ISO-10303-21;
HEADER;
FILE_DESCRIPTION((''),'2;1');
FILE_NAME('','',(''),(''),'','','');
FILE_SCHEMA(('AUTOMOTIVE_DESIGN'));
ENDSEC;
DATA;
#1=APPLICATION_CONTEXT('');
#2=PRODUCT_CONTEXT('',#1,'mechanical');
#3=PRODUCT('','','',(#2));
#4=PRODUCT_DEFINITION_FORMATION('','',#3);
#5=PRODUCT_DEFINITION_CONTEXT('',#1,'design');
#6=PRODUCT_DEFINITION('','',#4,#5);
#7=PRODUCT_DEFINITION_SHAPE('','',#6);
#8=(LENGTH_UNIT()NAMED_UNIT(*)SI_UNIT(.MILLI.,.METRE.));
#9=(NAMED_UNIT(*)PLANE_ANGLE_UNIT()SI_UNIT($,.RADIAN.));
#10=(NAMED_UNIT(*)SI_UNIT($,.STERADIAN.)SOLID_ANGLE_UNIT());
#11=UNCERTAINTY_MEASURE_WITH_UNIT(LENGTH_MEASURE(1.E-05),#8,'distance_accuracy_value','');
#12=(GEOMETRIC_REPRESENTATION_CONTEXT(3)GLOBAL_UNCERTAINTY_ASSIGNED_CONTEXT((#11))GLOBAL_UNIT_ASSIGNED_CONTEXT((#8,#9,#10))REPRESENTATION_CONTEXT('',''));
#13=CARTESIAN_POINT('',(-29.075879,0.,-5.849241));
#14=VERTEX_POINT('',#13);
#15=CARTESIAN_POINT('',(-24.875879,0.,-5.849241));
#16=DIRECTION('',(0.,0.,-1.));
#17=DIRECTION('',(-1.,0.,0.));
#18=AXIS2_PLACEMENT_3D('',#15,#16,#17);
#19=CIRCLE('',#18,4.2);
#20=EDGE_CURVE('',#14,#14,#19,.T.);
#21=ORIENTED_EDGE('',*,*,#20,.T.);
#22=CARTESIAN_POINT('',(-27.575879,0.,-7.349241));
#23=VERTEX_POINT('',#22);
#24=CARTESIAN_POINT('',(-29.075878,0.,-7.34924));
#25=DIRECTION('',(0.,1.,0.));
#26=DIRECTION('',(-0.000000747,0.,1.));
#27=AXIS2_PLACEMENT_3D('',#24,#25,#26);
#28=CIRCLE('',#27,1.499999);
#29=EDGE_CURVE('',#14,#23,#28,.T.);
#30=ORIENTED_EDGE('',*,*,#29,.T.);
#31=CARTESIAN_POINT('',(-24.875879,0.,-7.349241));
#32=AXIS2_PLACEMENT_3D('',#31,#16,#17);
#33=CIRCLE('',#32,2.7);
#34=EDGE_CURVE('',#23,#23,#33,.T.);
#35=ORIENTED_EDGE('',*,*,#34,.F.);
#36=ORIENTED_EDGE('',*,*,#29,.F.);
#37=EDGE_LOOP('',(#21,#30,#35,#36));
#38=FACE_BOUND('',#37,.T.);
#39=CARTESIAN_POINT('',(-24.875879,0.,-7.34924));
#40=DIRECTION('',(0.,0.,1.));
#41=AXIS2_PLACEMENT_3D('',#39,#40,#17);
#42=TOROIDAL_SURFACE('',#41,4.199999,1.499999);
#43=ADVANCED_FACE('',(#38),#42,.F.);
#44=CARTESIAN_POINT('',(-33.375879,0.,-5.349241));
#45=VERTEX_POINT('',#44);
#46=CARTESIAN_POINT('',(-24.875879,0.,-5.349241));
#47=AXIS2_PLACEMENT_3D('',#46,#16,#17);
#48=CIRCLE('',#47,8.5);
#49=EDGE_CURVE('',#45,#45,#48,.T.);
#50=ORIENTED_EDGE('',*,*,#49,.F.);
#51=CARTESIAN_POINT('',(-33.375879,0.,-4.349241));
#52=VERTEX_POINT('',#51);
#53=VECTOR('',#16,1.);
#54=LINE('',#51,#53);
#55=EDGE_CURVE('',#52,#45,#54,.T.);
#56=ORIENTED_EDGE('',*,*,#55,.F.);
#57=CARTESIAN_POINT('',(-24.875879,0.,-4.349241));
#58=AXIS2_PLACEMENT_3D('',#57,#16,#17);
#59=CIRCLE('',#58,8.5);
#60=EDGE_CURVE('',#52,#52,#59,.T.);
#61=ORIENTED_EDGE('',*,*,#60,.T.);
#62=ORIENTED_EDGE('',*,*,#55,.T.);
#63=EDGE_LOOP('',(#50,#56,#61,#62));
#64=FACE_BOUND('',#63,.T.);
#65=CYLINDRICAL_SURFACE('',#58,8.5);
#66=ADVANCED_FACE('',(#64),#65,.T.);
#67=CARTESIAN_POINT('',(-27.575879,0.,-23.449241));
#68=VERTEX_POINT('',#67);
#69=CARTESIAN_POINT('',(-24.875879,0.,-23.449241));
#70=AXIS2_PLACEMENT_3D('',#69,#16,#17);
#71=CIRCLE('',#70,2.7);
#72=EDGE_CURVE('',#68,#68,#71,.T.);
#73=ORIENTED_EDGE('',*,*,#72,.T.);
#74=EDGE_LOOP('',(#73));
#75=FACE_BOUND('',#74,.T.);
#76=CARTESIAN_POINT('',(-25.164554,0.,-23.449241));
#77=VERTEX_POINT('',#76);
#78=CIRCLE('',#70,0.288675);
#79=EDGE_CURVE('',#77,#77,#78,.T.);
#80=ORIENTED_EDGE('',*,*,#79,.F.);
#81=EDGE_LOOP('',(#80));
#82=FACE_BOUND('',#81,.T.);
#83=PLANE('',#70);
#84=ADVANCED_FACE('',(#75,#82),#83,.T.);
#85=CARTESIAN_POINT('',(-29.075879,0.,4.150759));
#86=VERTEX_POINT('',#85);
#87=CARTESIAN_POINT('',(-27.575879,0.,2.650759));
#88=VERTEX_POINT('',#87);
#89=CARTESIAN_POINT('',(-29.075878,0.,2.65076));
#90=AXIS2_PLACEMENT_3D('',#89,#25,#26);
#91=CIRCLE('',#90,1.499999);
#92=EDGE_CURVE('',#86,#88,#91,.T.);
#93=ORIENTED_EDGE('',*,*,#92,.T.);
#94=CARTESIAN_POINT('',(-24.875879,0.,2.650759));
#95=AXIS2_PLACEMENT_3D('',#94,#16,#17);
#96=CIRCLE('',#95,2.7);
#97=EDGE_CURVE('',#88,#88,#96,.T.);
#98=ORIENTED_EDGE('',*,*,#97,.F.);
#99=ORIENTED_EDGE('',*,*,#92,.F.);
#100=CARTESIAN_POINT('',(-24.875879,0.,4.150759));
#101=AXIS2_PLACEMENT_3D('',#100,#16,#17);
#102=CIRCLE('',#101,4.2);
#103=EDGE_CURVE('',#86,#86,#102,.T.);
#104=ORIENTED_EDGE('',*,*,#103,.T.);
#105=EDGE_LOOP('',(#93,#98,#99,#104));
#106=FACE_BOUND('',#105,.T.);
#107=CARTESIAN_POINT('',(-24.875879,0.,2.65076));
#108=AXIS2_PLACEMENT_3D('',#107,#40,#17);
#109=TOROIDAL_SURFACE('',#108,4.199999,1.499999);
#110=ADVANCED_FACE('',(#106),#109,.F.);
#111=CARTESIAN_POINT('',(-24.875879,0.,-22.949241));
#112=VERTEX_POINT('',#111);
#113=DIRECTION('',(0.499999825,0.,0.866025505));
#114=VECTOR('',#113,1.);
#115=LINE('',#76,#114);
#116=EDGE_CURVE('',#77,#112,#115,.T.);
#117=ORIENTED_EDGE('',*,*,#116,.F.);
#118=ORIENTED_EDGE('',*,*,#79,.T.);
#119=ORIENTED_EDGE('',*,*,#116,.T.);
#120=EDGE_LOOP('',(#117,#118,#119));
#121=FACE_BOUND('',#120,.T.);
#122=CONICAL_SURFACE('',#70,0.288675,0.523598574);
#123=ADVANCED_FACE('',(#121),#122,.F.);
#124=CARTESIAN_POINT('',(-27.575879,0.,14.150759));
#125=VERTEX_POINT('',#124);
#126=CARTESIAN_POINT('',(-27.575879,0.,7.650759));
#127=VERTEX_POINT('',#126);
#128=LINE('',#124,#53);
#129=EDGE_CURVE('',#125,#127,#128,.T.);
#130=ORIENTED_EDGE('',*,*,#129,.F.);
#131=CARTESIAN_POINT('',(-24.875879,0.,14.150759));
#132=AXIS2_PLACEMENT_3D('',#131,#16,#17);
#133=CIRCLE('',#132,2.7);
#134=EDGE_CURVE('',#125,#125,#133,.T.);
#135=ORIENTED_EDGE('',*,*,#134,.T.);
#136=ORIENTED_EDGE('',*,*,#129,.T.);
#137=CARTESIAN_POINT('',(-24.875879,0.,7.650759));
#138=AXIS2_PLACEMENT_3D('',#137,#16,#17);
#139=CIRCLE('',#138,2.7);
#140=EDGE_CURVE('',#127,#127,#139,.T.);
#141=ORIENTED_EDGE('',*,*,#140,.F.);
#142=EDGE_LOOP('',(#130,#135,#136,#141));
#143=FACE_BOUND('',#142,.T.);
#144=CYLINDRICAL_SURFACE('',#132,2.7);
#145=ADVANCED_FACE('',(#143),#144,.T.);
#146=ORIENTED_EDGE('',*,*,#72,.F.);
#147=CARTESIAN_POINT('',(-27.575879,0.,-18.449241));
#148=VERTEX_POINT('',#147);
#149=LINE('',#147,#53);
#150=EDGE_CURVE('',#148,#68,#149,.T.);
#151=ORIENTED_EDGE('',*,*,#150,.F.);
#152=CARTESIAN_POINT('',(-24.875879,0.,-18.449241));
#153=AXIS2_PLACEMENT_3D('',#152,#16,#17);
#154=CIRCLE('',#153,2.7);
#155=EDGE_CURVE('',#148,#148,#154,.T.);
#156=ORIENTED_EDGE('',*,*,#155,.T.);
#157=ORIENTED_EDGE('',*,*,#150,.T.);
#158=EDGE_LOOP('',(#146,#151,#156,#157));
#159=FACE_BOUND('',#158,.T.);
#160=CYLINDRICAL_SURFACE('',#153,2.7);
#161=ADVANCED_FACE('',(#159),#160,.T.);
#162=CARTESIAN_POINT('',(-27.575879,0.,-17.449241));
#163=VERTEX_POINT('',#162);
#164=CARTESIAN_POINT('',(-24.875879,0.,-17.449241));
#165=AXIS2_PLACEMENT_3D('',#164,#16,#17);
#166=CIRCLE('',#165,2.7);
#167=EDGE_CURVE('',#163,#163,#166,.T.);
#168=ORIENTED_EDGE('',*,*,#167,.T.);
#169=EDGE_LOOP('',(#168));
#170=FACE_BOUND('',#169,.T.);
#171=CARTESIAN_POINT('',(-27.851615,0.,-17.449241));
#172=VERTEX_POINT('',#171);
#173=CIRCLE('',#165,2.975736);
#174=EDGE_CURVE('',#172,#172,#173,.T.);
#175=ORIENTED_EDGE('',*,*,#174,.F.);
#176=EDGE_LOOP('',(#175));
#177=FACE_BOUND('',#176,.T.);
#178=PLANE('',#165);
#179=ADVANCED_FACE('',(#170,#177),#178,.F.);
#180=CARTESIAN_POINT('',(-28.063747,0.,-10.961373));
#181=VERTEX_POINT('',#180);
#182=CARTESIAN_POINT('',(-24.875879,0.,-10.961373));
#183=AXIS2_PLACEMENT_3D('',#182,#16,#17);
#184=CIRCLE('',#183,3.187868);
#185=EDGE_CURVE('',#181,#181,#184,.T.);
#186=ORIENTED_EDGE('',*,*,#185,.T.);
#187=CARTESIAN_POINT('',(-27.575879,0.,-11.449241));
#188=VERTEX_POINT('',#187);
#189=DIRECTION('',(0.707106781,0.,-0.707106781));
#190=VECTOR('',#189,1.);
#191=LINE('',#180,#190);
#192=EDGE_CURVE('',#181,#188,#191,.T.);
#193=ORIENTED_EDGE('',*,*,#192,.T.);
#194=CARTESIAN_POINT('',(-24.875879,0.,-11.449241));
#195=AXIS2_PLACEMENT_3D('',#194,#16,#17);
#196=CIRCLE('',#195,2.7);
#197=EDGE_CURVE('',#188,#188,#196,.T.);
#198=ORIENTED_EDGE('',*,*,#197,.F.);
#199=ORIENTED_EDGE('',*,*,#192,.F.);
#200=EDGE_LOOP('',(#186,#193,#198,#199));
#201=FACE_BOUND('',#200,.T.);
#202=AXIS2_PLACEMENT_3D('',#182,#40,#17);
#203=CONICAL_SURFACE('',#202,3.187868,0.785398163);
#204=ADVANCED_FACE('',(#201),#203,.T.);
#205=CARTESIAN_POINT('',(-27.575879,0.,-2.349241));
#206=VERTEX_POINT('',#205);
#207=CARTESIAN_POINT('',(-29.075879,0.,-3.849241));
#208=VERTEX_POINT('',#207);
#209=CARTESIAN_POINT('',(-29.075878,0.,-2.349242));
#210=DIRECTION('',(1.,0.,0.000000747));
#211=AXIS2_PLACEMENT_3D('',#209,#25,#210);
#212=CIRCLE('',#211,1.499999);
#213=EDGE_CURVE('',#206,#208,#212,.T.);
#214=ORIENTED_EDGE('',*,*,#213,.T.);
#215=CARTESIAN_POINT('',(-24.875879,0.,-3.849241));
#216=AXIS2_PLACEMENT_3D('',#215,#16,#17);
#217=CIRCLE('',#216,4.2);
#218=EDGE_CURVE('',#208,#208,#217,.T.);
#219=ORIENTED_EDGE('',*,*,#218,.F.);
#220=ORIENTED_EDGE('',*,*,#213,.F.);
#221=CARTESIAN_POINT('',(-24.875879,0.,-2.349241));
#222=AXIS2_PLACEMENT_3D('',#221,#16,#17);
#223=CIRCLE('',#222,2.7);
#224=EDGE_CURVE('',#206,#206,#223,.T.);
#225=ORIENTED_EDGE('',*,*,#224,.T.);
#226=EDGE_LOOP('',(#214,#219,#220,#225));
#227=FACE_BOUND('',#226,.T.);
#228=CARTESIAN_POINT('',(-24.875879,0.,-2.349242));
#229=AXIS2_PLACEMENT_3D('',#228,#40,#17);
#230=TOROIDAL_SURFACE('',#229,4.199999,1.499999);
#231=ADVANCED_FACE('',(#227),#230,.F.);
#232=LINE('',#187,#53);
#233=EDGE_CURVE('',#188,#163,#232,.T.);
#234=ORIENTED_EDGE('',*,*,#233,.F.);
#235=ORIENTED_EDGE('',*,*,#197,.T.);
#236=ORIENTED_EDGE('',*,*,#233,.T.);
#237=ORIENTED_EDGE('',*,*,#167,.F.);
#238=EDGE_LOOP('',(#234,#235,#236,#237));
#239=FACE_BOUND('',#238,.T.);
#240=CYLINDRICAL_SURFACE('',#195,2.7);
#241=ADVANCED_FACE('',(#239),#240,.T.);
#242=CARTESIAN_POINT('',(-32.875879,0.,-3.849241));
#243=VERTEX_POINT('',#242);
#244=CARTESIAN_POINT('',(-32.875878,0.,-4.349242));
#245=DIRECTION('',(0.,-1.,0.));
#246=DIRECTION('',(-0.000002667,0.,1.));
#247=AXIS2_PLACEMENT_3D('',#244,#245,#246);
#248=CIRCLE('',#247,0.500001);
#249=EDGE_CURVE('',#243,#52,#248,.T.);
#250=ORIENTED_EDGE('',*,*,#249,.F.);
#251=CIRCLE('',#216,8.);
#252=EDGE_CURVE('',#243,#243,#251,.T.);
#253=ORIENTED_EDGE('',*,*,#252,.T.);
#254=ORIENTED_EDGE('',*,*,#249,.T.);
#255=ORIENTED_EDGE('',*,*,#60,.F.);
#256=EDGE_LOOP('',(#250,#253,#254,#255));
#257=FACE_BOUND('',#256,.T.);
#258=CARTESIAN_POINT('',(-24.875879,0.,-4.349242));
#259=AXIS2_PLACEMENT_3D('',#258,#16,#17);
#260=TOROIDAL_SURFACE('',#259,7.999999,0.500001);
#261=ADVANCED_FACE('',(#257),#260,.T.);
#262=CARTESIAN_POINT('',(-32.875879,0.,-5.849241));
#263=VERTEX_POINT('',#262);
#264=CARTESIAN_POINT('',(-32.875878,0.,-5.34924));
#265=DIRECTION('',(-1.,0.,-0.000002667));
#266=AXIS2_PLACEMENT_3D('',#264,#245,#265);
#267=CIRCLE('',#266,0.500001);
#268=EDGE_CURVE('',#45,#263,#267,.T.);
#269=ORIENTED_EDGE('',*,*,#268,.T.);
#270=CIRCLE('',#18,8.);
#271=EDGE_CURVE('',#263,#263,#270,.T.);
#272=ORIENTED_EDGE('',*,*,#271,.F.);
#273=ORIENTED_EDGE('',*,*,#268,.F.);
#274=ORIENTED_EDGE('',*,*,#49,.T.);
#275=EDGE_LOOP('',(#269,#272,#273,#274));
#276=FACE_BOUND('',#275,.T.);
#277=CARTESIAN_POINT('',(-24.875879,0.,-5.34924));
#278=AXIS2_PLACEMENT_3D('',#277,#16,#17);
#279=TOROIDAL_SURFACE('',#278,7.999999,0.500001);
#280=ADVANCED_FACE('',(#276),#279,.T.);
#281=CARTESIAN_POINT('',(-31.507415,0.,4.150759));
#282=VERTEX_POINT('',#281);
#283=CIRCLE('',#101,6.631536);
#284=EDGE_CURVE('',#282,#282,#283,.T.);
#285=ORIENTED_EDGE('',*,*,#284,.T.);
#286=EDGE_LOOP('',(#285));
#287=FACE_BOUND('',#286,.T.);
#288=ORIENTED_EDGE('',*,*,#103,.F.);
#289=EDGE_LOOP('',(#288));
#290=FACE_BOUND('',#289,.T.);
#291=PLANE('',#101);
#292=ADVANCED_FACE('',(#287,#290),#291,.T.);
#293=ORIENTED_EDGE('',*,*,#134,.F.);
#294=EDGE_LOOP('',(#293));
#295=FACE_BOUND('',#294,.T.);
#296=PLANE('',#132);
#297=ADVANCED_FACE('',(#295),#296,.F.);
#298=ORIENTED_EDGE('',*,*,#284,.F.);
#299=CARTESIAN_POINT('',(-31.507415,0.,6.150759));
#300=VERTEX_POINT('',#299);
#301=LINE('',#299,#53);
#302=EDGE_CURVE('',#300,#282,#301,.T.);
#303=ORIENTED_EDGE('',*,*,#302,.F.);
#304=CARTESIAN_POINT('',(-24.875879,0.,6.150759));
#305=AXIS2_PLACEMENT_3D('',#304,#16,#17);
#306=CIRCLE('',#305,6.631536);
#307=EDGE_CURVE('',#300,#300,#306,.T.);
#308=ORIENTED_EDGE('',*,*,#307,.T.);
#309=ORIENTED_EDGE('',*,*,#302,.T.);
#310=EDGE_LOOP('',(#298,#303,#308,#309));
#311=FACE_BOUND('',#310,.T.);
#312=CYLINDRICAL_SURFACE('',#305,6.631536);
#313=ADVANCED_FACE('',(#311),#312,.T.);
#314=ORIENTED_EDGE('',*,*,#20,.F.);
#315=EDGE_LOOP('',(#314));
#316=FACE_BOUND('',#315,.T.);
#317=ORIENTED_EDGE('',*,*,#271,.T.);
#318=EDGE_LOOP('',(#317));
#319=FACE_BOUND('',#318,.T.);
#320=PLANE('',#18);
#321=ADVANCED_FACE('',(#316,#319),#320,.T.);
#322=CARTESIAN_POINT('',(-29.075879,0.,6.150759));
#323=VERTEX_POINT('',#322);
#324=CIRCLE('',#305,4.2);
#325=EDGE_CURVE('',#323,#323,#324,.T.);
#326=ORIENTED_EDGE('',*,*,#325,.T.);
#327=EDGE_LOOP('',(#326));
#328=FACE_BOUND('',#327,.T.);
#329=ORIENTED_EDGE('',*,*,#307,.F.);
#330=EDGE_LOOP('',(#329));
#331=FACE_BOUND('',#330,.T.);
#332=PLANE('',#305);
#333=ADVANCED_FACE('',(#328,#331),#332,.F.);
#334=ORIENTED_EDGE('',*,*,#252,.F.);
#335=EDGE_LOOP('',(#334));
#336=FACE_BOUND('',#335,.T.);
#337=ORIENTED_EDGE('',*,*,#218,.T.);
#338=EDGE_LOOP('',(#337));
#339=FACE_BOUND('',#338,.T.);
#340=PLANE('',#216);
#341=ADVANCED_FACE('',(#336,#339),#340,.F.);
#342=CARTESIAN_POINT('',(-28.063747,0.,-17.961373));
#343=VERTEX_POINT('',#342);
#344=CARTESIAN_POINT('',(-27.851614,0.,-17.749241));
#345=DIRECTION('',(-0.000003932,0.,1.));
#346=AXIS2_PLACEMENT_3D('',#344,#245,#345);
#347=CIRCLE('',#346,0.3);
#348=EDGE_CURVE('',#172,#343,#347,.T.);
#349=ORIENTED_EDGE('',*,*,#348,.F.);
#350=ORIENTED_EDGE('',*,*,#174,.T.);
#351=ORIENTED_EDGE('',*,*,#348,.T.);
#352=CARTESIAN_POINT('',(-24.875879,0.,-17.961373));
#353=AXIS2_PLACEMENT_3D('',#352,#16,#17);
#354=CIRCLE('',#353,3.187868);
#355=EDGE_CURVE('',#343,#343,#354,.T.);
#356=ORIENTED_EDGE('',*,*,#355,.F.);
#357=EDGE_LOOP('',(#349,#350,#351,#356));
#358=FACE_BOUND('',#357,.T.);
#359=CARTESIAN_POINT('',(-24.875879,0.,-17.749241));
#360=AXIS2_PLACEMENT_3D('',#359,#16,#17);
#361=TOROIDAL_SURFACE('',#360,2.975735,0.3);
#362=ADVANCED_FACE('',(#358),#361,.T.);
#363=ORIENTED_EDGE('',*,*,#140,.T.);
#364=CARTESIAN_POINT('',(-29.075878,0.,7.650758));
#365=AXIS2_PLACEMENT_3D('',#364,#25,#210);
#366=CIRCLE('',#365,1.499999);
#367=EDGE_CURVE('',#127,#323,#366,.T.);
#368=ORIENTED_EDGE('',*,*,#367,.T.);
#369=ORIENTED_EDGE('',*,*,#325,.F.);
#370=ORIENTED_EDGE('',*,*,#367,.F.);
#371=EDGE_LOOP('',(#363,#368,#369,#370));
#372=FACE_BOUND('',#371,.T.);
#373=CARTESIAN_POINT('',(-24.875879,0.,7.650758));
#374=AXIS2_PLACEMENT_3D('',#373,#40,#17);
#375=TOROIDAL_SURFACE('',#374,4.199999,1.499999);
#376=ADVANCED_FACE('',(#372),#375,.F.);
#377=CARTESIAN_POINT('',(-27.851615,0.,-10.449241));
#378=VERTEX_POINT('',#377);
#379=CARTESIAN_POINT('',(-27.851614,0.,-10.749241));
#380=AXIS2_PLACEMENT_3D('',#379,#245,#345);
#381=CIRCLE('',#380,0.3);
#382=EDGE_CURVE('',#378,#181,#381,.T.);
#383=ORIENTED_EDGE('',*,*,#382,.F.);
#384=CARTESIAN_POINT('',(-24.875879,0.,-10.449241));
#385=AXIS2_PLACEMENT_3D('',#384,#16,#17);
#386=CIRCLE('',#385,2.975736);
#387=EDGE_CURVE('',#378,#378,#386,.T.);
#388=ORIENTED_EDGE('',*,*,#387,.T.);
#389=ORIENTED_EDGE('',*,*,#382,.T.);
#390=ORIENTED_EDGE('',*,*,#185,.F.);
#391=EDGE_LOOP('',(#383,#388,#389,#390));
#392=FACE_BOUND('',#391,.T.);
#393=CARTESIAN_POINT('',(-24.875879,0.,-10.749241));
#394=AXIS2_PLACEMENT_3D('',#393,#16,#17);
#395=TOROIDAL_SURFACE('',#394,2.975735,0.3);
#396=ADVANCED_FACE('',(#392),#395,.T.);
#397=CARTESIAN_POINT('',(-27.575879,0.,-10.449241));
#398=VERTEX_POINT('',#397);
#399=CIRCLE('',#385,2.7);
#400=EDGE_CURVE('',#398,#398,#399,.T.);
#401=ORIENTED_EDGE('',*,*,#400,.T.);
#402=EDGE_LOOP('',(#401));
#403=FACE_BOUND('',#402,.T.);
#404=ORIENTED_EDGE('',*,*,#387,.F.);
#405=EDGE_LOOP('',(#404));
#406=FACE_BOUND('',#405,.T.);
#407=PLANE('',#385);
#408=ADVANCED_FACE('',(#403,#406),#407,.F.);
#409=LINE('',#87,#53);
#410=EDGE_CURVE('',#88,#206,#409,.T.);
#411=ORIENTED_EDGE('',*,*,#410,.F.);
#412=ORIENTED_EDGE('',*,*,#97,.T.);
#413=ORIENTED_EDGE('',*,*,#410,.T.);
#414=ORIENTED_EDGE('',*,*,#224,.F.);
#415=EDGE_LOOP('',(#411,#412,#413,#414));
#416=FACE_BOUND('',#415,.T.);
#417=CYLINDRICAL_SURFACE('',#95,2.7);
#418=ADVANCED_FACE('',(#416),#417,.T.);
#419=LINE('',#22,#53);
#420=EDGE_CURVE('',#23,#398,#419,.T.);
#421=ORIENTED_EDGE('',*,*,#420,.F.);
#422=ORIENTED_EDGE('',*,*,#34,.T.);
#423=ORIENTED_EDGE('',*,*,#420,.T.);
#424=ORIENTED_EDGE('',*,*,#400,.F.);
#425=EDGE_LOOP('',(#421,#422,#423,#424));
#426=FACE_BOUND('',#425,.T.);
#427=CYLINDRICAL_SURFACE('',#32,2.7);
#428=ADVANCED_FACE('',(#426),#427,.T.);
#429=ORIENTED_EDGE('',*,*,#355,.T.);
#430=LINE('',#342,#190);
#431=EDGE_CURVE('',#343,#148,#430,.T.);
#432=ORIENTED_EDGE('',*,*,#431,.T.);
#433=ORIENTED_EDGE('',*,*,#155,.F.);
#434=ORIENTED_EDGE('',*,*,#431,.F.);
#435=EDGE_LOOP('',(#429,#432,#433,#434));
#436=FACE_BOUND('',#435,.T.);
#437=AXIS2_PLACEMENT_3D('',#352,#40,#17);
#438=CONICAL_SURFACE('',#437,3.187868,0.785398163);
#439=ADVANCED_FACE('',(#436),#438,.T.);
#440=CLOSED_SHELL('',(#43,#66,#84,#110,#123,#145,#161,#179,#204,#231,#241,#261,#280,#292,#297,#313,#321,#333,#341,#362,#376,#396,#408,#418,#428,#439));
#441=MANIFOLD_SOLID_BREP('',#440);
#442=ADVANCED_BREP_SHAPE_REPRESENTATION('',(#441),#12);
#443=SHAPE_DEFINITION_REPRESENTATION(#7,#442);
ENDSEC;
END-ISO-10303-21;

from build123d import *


with BuildPart() as f1:
    # F0 (on Front) → F1 (revolve)
    with BuildSketch(Plane.XZ):
        with BuildLine():
            Line((-27.575879, -18.449241), (-27.575879, -23.449241))
            Line((-27.575879, -23.449241), (-25.164554, -23.449241))
            Line((-25.164554, -23.449241), (-24.875879, -22.949241))
            Line((-24.875879, -22.949241), (-24.875879, 14.150759))
            Line((-24.875879, 14.150759), (-27.575879, 14.150759))
            Line((-27.575879, 14.150759), (-27.575879, 7.650759))
            ThreePointArc((-27.575879, 7.650759), (-28.015218, 6.590099), (-29.075879, 6.150759))
            Line((-29.075879, 6.150759), (-31.507415, 6.150759))
            Line((-31.507415, 6.150759), (-31.507415, 4.150759))
            Line((-31.507415, 4.150759), (-29.075879, 4.150759))
            ThreePointArc((-29.075879, 4.150759), (-28.015218, 3.711419), (-27.575879, 2.650759))
            Line((-27.575879, 2.650759), (-27.575879, -2.349241))
            ThreePointArc((-27.575879, -2.349241), (-28.015218, -3.409901), (-29.075879, -3.849241))
            Line((-29.075879, -3.849241), (-32.875879, -3.849241))
            ThreePointArc((-32.875879, -3.849241), (-33.229432, -3.995688), (-33.375879, -4.349241))
            Line((-33.375879, -4.349241), (-33.375879, -5.349241))
            ThreePointArc((-33.375879, -5.349241), (-33.229432, -5.702794), (-32.875879, -5.849241))
            Line((-32.875879, -5.849241), (-29.075879, -5.849241))
            ThreePointArc((-29.075879, -5.849241), (-28.015218, -6.288581), (-27.575879, -7.349241))
            Line((-27.575879, -7.349241), (-27.575879, -10.449241))
            Line((-27.575879, -10.449241), (-27.851615, -10.449241))
            ThreePointArc((-27.851615, -10.449241), (-28.128778, -10.634436), (-28.063747, -10.961373))
            Line((-28.063747, -10.961373), (-27.575879, -11.449241))
            Line((-27.575879, -11.449241), (-27.575879, -17.449241))
            Line((-27.575879, -17.449241), (-27.851615, -17.449241))
            ThreePointArc((-27.851615, -17.449241), (-28.128778, -17.634436), (-28.063747, -17.961373))
            Line((-28.063747, -17.961373), (-27.575879, -18.449241))
        make_face()
    revolve(axis=Axis((-24.875879, 0, -4.399241), (0, 0, -1)))


solid = f1.part
